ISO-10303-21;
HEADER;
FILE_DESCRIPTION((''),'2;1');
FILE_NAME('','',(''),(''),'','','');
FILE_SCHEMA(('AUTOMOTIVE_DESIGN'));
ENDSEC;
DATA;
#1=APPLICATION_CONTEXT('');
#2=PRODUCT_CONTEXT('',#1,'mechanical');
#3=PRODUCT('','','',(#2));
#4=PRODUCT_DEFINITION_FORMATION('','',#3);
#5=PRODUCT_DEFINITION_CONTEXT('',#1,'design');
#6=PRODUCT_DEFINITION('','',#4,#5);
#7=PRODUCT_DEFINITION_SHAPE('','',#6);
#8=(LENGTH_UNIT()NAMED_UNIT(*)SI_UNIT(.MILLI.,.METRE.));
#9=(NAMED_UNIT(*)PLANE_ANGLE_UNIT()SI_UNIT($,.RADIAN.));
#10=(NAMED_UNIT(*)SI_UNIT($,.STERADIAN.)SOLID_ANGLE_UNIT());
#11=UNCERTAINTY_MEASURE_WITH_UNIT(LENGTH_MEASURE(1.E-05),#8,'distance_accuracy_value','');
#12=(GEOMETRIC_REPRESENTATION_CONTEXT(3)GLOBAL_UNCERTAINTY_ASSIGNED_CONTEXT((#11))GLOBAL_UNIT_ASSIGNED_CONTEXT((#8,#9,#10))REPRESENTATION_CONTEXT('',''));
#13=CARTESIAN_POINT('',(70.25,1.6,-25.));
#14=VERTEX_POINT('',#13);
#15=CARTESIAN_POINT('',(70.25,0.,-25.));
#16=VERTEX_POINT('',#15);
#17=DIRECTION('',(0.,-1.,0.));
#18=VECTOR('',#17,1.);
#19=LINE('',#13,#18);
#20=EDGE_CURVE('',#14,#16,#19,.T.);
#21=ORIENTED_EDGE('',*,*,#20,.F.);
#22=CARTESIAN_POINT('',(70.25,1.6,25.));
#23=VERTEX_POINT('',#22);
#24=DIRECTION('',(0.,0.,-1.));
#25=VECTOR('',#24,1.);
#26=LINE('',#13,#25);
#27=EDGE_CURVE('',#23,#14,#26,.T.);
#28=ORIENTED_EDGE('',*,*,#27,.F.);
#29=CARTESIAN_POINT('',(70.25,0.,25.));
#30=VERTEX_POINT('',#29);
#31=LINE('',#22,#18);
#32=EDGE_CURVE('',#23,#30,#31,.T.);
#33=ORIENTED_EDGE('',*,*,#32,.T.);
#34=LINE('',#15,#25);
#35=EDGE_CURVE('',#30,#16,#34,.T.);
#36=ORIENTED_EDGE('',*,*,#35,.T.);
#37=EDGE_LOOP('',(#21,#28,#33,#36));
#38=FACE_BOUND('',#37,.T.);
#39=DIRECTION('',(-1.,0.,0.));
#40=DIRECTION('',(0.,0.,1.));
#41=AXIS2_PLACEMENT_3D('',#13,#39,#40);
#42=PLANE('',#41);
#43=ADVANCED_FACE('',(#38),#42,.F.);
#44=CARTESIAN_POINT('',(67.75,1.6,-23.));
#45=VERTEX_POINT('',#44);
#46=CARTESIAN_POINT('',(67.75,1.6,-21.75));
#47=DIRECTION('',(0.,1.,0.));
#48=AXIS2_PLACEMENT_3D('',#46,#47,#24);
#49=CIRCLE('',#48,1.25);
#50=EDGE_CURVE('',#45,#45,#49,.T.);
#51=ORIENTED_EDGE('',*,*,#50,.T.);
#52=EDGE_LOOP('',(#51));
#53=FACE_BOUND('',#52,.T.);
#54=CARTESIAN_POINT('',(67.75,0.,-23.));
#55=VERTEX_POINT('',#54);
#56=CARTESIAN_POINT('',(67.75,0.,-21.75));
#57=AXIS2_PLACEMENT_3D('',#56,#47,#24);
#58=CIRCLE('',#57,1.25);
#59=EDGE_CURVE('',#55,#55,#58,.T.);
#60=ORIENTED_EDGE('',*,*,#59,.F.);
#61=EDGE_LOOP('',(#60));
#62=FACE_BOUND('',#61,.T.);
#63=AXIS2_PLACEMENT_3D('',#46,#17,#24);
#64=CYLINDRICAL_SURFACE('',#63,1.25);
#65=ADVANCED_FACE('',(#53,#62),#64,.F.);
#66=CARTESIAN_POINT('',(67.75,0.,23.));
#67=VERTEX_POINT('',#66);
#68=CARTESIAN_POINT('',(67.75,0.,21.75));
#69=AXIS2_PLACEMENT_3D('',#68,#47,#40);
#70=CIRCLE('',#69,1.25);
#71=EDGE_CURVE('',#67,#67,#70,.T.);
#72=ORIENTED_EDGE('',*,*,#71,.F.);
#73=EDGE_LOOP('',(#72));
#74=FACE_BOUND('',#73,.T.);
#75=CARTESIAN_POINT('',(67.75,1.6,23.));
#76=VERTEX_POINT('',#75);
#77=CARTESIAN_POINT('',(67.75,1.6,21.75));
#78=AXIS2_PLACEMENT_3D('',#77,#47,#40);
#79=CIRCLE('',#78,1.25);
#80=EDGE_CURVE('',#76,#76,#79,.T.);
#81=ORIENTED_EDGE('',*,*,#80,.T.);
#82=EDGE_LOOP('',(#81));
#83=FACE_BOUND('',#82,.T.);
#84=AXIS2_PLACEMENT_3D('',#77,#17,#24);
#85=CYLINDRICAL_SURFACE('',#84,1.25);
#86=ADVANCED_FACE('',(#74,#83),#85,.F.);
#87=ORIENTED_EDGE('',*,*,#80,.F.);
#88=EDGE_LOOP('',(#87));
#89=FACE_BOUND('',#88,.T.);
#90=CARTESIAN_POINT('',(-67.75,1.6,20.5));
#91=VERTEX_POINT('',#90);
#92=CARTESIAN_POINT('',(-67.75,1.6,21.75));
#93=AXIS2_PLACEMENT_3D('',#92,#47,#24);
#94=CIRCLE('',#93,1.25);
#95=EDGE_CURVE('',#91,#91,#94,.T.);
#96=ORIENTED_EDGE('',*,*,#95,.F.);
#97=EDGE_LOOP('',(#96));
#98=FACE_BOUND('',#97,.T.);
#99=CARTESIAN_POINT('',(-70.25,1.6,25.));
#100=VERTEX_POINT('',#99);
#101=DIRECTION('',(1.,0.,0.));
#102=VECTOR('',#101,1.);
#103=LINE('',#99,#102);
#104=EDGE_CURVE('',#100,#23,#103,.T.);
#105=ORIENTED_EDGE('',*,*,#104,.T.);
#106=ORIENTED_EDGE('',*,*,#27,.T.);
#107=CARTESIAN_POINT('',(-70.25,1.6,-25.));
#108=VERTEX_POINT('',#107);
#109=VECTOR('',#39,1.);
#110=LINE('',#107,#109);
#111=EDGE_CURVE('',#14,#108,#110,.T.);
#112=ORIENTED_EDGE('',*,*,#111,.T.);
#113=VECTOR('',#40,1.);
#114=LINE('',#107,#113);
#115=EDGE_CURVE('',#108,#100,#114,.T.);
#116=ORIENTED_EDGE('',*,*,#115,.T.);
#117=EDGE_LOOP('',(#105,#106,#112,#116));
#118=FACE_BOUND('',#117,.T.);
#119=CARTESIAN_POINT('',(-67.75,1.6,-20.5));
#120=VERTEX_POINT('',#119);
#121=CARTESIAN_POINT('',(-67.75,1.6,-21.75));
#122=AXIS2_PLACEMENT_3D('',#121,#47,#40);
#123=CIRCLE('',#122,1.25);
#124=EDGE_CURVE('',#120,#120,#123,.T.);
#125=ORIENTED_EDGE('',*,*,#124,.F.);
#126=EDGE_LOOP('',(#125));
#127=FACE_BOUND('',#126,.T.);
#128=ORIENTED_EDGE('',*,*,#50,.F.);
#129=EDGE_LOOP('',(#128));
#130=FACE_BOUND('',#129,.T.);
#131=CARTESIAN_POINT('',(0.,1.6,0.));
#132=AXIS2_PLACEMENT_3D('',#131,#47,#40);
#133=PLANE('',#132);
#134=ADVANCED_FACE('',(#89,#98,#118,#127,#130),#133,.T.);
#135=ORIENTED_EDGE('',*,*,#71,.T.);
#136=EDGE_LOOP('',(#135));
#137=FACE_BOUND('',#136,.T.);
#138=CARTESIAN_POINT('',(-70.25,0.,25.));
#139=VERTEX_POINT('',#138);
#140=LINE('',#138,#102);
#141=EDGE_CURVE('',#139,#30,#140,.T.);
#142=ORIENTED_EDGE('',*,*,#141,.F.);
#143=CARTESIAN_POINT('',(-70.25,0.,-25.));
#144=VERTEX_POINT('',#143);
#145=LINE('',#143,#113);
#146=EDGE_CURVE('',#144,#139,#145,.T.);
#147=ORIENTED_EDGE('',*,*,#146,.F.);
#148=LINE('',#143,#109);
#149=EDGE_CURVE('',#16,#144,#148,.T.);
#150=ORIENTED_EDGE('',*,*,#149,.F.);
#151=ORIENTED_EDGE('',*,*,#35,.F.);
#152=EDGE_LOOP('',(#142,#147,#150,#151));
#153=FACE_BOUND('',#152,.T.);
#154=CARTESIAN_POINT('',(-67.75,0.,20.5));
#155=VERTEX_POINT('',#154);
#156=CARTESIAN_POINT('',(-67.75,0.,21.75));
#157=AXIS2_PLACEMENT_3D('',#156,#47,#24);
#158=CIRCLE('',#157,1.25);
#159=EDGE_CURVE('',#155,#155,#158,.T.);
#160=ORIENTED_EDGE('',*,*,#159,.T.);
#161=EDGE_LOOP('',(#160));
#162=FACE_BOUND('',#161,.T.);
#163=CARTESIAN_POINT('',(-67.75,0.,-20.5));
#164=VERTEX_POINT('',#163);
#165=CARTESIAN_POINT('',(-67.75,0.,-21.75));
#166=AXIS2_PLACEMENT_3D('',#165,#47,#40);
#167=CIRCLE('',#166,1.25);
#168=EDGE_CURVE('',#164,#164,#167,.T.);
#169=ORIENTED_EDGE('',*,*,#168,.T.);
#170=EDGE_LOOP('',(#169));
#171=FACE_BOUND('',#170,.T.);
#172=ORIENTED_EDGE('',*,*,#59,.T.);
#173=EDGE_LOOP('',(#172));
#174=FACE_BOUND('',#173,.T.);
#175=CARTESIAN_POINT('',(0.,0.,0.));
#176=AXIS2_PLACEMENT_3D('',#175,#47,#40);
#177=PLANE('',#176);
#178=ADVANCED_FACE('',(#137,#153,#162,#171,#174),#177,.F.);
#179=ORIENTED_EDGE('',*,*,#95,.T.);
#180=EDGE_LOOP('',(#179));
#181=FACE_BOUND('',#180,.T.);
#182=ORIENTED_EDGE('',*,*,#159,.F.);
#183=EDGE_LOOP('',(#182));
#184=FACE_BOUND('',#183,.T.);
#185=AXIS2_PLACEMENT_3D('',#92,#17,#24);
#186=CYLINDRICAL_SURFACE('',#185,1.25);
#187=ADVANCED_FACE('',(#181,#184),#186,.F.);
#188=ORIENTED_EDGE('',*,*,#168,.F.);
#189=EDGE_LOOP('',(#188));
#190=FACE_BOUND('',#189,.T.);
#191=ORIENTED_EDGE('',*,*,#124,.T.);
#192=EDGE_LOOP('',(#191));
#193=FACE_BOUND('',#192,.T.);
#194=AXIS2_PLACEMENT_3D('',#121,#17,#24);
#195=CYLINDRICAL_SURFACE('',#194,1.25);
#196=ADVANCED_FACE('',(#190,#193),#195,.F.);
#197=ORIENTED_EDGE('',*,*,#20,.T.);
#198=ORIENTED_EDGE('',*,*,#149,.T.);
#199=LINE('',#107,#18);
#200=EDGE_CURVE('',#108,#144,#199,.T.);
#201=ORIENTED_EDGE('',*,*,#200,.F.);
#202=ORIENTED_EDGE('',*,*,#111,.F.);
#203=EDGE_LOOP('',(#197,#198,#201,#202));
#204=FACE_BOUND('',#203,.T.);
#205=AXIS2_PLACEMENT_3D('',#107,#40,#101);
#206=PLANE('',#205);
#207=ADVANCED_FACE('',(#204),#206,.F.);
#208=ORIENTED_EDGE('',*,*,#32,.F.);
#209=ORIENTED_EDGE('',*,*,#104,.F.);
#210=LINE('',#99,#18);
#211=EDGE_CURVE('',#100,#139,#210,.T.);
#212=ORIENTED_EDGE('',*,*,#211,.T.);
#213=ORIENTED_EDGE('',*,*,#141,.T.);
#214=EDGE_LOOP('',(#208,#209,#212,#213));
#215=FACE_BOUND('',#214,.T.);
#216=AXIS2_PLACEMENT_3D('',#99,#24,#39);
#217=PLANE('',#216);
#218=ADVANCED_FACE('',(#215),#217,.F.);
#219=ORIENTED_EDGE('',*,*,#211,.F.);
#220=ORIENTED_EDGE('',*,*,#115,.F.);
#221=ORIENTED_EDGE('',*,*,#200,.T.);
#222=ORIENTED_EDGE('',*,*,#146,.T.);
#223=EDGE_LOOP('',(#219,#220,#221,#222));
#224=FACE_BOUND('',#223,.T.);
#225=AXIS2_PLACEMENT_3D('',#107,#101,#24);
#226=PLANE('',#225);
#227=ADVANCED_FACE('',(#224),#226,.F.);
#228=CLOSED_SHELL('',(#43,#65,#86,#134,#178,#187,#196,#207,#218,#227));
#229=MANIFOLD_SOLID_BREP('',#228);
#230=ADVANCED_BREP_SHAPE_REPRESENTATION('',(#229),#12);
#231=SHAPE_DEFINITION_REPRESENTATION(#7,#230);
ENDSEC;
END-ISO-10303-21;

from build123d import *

# Parameters (mm, degrees)
SKETCH1_W           = 140.5
SKETCH1_H           = 50
SKETCH1_R           = 1.25
BOSS_EXTRUDE1_DEPTH = 1.6


with BuildPart() as part:
    # Sketch1 → Boss-Extrude1 (new body)
    with BuildSketch(Plane(origin=(0, 0, 0), x_dir=(1, 0, 0), z_dir=(0, 1, 0))):
        Rectangle(SKETCH1_W, SKETCH1_H)
        with Locations(Location((-67.75, 21.75, 0), (0, 0, 270))):
            Circle(SKETCH1_R, mode=Mode.SUBTRACT)
        with Locations(Location((67.75, 21.75, 0), (0, 0, 90))):
            Circle(SKETCH1_R, mode=Mode.SUBTRACT)
        with Locations(Location((67.75, -21.75, 0), (0, 0, 270))):
            Circle(SKETCH1_R, mode=Mode.SUBTRACT)
        with Locations(Location((-67.75, -21.75, 0), (0, 0, 90))):
            Circle(SKETCH1_R, mode=Mode.SUBTRACT)
    extrude(amount=BOSS_EXTRUDE1_DEPTH)


solid = part.part
